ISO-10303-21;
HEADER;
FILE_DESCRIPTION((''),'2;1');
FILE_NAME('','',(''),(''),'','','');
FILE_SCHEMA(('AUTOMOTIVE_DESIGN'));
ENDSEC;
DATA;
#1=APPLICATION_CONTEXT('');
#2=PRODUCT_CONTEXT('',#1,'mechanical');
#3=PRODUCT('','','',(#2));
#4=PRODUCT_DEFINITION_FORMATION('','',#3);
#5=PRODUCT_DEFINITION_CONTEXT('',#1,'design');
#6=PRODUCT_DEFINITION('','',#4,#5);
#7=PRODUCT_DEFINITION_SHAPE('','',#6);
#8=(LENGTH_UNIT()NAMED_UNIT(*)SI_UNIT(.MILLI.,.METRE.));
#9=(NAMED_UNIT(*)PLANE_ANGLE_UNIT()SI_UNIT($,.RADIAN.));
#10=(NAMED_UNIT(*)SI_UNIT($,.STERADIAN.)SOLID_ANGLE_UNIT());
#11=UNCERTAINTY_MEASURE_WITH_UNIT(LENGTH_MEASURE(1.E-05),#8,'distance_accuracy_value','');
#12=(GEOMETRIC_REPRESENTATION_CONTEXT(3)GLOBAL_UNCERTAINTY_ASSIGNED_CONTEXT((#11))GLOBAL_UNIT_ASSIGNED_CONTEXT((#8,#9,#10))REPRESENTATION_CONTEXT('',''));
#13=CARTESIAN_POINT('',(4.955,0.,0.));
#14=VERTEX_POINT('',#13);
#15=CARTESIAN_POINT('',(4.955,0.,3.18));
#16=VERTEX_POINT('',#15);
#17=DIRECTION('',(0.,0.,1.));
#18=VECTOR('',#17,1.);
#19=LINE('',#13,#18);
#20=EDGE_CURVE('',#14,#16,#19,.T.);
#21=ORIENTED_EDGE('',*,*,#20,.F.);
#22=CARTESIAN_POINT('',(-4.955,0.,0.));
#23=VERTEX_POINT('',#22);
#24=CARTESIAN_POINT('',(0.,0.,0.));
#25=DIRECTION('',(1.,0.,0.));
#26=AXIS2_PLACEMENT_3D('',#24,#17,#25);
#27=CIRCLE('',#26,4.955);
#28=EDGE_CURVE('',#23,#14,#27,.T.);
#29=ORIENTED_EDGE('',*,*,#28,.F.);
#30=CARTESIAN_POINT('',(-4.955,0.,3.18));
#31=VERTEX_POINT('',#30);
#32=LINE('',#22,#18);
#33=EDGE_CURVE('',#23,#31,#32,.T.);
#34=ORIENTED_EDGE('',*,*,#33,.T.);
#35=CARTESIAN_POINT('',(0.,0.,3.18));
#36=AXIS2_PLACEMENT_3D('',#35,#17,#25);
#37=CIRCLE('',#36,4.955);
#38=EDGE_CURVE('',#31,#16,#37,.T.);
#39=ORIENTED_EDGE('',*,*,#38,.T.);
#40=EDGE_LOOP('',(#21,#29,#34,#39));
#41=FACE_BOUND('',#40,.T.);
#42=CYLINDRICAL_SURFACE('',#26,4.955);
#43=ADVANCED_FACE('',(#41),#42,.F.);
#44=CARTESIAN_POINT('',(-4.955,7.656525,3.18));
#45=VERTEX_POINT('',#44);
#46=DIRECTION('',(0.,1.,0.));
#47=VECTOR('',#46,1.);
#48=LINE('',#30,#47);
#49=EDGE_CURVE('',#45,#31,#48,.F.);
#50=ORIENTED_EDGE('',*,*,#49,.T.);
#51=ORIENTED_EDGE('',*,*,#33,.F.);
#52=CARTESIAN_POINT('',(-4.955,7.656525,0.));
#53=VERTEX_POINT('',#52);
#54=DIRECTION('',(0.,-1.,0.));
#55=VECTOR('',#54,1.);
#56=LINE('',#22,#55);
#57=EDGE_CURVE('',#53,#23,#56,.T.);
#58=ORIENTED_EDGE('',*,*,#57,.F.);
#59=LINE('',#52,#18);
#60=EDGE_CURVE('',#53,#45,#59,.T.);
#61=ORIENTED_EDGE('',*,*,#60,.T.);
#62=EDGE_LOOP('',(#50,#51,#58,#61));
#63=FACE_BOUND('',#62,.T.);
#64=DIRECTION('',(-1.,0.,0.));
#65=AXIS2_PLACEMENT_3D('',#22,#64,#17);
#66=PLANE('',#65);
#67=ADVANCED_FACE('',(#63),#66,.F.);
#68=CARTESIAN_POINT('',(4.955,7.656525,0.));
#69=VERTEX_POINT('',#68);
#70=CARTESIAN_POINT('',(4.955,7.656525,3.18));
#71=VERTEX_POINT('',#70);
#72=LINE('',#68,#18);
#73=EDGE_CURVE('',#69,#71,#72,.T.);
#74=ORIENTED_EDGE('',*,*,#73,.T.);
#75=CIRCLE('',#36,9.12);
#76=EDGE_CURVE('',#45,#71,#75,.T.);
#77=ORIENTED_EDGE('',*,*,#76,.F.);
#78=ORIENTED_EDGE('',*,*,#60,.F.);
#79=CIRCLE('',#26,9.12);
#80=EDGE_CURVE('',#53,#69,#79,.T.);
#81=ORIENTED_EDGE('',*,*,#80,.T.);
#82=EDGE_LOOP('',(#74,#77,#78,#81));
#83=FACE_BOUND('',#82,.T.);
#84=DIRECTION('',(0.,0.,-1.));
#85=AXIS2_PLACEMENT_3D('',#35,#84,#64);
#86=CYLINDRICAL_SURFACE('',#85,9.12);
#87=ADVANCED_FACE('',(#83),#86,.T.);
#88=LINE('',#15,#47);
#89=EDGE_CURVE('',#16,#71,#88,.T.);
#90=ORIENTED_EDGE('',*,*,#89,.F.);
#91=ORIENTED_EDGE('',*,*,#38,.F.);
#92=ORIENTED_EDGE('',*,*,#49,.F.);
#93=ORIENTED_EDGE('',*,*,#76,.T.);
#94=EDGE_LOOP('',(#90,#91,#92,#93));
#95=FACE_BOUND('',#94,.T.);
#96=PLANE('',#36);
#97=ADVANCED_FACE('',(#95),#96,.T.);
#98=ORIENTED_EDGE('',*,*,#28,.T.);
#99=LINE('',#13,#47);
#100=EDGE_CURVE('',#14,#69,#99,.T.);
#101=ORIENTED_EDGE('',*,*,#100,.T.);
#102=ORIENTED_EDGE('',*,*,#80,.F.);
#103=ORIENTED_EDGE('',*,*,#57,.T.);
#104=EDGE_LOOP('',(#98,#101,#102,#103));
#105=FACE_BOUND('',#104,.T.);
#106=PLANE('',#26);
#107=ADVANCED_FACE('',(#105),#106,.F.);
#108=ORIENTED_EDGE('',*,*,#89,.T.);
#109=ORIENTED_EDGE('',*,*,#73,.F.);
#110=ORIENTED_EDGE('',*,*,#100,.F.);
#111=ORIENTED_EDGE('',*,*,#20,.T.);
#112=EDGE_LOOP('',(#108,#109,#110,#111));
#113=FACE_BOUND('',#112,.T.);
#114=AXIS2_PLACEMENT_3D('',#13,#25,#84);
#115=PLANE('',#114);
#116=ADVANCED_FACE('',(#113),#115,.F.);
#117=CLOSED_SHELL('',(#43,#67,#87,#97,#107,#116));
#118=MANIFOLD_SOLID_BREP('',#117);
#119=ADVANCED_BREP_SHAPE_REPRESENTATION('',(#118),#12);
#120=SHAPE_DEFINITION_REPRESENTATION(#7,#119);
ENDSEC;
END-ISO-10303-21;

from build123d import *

# Parameters (mm, degrees)
SKETCH1_R               = 9.12
BOSS_EXTRUDE1_DEPTH     = 3.18
CUT_EXTRUDE1_DEPTH      = 14.283869918
CUT_EXTRUDE1_DEPTH_BACK = 14.283869918


with BuildPart() as part:
    # Sketch1 → Boss-Extrude1 (new body)
    with BuildSketch(Plane.XY):
        with Locations(Location((0, 0, 0), (0, 0, 180))):
            Circle(SKETCH1_R)
    extrude(amount=BOSS_EXTRUDE1_DEPTH)

    # Sketch2 → Cut-Extrude1 (cut, two sides: drawn at the far end of the back side and taken through both)
    with BuildSketch(Plane.XY.offset(3.18).offset(-CUT_EXTRUDE1_DEPTH_BACK)):
        with BuildLine():
            Line((-4.955, 0), (-4.955, 7.656524995))
            ThreePointArc((-4.955, 7.656524995), (0, 9.12), (4.955, 7.656524995))
            Line((4.955, 7.656524995), (4.955, 0))
            ThreePointArc((4.955, 0), (0, -4.955), (-4.955, 0))
        make_face()
    extrude(amount=CUT_EXTRUDE1_DEPTH + CUT_EXTRUDE1_DEPTH_BACK, mode=Mode.SUBTRACT)


solid = part.part
